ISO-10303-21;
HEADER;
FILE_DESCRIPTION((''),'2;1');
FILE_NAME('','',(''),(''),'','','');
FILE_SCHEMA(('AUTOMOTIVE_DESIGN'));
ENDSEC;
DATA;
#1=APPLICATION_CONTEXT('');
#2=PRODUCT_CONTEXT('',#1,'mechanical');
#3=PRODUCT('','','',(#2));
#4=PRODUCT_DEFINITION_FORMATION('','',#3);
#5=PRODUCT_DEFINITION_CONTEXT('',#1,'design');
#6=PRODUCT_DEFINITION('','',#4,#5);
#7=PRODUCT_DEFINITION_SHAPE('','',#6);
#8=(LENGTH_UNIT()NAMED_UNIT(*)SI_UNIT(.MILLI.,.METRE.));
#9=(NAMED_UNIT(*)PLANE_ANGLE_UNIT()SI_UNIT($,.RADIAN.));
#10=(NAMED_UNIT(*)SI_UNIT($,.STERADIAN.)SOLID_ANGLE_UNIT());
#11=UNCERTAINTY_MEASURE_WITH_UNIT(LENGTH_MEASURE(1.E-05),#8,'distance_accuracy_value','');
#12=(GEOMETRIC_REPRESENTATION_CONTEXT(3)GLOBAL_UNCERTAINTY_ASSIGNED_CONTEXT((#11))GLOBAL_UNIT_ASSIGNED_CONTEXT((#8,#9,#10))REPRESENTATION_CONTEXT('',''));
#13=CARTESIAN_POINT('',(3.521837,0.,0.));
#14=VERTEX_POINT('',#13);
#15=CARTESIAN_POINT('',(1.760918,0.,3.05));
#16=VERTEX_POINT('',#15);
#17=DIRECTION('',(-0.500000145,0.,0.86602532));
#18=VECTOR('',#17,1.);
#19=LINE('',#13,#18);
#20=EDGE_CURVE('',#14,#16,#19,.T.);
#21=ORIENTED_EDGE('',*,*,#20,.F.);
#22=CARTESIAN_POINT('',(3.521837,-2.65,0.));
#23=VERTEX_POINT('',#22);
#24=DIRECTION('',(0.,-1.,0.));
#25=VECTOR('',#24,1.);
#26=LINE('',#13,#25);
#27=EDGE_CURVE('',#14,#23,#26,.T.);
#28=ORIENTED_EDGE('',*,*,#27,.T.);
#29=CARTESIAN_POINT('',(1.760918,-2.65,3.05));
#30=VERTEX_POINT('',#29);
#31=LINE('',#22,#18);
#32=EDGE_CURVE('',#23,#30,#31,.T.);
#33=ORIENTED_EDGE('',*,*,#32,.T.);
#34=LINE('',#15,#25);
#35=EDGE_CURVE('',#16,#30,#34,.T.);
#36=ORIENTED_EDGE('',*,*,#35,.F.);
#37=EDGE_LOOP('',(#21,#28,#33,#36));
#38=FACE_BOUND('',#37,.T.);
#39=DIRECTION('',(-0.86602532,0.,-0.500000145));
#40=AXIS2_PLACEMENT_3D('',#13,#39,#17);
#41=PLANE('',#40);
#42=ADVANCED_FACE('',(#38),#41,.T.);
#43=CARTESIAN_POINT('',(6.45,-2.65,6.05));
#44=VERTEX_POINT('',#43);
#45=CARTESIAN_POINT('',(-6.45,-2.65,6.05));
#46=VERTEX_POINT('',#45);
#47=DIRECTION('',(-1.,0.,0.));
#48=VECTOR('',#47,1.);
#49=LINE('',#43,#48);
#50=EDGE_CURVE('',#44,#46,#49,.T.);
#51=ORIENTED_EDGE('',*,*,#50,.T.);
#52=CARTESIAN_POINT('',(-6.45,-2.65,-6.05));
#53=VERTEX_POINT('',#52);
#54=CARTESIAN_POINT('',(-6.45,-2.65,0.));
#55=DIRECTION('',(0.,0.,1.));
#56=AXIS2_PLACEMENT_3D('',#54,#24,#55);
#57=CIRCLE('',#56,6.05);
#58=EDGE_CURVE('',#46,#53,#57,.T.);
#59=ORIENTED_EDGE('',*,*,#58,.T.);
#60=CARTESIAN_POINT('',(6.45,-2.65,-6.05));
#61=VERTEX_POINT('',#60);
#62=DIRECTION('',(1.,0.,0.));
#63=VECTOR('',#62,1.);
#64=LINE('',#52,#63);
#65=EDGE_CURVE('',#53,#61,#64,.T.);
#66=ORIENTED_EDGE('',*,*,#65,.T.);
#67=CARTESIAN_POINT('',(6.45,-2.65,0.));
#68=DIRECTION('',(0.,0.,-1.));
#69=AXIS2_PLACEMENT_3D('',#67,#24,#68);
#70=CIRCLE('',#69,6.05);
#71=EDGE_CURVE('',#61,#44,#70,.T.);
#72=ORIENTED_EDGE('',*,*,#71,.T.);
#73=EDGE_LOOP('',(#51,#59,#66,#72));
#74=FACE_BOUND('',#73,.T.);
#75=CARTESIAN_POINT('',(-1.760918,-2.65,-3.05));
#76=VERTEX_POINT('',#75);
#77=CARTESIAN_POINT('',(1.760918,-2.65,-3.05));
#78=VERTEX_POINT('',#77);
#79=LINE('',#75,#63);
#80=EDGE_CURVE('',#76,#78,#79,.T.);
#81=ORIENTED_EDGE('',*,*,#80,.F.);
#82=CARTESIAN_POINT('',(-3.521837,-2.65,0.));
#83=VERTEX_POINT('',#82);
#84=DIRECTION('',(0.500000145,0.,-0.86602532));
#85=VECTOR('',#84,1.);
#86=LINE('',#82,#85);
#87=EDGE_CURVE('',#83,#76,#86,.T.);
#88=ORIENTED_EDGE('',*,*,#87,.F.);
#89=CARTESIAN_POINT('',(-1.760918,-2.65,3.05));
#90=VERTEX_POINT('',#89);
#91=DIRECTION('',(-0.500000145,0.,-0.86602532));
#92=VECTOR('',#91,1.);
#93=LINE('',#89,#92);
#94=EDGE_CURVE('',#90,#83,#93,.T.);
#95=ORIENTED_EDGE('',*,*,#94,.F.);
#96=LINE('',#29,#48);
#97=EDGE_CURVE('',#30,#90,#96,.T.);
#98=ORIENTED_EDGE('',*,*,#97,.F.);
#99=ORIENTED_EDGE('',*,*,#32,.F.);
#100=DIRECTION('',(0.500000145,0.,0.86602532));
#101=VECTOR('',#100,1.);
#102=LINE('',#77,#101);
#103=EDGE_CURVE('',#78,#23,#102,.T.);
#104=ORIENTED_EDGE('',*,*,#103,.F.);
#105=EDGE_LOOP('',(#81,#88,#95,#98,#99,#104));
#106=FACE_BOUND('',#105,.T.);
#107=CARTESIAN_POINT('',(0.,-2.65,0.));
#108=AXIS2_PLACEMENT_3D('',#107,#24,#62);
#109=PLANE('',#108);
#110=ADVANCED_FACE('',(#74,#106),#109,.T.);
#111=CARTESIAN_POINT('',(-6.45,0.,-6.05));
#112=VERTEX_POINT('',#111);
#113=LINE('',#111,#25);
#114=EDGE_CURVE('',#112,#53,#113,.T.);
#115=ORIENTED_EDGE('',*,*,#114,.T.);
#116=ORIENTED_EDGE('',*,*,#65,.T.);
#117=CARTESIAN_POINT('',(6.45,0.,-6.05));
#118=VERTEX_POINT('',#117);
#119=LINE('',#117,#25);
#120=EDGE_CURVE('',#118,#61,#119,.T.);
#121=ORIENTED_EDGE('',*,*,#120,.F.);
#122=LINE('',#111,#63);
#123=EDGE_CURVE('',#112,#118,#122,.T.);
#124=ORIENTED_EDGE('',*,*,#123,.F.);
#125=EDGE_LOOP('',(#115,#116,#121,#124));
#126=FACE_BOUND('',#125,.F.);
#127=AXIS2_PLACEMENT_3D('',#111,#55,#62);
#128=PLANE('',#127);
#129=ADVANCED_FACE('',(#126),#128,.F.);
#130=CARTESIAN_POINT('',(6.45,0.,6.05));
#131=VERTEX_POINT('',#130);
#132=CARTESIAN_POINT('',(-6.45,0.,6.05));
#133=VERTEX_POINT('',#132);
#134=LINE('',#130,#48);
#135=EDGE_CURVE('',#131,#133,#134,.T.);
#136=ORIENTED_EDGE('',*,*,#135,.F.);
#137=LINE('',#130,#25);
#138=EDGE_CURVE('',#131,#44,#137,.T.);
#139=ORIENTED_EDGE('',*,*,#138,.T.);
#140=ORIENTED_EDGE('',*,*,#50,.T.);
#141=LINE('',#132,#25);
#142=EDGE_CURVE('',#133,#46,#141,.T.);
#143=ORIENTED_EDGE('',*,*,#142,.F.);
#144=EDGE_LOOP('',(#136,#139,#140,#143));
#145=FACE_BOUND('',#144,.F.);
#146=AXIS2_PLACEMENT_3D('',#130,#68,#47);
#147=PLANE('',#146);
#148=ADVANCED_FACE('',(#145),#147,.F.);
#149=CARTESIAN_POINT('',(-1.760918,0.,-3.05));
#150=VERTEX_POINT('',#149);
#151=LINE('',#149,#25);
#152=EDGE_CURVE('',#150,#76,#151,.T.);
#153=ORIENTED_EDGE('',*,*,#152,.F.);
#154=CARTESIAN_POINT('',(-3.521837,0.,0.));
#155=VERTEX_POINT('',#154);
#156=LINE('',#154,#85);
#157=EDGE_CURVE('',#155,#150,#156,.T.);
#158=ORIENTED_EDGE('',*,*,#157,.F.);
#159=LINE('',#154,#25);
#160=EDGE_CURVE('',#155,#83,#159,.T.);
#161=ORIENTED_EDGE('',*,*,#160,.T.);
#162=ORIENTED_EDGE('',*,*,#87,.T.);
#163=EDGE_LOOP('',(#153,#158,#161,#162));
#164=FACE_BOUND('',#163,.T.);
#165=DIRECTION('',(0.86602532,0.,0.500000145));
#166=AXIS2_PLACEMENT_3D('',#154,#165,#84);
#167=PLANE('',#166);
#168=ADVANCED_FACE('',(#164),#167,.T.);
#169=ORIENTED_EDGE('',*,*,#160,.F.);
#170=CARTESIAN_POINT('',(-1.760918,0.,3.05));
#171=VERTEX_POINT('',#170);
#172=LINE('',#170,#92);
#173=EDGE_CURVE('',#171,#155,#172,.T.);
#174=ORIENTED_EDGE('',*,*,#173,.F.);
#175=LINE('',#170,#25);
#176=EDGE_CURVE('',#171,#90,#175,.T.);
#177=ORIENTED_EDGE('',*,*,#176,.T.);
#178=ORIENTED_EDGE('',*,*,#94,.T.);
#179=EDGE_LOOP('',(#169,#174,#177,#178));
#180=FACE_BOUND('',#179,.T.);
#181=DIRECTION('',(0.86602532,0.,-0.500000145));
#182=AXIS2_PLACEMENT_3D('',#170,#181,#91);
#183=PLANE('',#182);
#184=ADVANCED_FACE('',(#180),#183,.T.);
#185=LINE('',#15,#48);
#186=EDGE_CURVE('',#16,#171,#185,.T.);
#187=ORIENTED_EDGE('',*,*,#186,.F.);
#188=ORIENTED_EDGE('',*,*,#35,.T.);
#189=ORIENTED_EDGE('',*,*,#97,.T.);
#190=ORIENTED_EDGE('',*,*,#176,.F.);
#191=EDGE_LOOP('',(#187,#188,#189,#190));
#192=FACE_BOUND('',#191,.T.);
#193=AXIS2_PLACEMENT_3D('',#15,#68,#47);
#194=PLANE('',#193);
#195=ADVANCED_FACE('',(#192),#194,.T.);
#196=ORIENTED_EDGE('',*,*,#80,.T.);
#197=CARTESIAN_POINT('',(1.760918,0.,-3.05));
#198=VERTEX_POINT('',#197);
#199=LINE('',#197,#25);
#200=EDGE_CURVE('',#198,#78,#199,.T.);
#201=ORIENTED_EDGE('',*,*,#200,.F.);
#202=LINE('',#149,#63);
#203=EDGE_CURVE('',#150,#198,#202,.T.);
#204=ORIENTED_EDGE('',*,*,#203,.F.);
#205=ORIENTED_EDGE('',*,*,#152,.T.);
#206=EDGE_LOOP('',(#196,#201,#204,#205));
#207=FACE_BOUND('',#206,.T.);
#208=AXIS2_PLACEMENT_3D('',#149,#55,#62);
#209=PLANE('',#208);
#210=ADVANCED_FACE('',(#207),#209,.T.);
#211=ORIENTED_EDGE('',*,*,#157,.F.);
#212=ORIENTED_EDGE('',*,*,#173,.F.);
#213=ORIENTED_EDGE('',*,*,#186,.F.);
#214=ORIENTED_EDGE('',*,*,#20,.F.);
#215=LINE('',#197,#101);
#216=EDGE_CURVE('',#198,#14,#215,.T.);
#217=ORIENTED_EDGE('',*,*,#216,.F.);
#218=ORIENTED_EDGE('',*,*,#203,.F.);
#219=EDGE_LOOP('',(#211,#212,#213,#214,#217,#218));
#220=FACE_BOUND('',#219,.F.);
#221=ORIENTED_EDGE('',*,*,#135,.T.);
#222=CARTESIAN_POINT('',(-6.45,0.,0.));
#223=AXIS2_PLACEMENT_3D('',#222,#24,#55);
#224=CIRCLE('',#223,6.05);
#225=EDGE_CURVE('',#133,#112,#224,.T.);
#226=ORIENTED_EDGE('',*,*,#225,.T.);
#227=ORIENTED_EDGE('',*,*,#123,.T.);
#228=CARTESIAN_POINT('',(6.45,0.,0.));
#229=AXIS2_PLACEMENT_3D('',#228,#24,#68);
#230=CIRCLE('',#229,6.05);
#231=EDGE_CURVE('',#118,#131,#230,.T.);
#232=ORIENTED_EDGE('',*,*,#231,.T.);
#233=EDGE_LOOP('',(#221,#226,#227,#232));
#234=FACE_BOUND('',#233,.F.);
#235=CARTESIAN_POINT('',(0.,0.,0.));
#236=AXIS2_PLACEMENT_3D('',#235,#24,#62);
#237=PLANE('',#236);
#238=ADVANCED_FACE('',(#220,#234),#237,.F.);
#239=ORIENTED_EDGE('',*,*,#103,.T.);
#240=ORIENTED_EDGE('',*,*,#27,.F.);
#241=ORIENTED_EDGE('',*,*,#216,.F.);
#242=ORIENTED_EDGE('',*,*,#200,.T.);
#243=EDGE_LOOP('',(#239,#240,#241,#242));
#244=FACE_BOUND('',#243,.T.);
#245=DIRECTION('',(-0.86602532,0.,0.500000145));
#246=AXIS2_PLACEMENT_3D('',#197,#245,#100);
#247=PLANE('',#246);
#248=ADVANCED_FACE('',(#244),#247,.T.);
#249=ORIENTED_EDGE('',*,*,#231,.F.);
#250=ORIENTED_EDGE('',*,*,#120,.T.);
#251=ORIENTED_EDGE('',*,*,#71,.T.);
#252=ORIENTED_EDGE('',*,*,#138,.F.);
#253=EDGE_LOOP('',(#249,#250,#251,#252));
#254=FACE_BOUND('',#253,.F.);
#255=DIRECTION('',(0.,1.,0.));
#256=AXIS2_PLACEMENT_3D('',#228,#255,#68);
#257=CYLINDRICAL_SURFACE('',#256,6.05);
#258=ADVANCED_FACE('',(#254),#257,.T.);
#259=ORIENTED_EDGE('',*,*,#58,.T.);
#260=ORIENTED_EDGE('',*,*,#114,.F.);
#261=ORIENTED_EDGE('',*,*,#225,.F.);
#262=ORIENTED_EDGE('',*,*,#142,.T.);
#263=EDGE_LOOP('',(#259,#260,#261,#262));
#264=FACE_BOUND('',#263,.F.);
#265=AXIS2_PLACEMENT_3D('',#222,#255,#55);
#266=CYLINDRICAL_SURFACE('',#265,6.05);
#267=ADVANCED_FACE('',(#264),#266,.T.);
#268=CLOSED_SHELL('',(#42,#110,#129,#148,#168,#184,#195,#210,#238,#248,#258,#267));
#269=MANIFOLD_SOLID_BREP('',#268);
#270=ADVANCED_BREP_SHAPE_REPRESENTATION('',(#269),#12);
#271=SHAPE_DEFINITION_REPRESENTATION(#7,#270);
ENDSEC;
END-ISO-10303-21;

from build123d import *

# Parameters (mm, degrees)
PAD_DEPTH = 2.65


with BuildPart() as part:
    # Sketch → Pad (new body)
    with BuildSketch(Plane.XZ):
        with BuildLine():
            ThreePointArc((-6.45, 6.05), (-12.5, 0), (-6.45, -6.05))
            Line((-6.45, -6.05), (6.45, -6.05))
            ThreePointArc((6.45, -6.05), (12.5, 0), (6.45, 6.05))
            Line((6.45, 6.05), (-6.45, 6.05))
        make_face()
        Polygon((1.760918, 3.05), (-1.760918, 3.05), (-3.521837, 0), (-1.760918, -3.05), (1.760918, -3.05), (3.521837, 0), align=None, mode=Mode.SUBTRACT)
    extrude(amount=PAD_DEPTH)


solid = part.part
